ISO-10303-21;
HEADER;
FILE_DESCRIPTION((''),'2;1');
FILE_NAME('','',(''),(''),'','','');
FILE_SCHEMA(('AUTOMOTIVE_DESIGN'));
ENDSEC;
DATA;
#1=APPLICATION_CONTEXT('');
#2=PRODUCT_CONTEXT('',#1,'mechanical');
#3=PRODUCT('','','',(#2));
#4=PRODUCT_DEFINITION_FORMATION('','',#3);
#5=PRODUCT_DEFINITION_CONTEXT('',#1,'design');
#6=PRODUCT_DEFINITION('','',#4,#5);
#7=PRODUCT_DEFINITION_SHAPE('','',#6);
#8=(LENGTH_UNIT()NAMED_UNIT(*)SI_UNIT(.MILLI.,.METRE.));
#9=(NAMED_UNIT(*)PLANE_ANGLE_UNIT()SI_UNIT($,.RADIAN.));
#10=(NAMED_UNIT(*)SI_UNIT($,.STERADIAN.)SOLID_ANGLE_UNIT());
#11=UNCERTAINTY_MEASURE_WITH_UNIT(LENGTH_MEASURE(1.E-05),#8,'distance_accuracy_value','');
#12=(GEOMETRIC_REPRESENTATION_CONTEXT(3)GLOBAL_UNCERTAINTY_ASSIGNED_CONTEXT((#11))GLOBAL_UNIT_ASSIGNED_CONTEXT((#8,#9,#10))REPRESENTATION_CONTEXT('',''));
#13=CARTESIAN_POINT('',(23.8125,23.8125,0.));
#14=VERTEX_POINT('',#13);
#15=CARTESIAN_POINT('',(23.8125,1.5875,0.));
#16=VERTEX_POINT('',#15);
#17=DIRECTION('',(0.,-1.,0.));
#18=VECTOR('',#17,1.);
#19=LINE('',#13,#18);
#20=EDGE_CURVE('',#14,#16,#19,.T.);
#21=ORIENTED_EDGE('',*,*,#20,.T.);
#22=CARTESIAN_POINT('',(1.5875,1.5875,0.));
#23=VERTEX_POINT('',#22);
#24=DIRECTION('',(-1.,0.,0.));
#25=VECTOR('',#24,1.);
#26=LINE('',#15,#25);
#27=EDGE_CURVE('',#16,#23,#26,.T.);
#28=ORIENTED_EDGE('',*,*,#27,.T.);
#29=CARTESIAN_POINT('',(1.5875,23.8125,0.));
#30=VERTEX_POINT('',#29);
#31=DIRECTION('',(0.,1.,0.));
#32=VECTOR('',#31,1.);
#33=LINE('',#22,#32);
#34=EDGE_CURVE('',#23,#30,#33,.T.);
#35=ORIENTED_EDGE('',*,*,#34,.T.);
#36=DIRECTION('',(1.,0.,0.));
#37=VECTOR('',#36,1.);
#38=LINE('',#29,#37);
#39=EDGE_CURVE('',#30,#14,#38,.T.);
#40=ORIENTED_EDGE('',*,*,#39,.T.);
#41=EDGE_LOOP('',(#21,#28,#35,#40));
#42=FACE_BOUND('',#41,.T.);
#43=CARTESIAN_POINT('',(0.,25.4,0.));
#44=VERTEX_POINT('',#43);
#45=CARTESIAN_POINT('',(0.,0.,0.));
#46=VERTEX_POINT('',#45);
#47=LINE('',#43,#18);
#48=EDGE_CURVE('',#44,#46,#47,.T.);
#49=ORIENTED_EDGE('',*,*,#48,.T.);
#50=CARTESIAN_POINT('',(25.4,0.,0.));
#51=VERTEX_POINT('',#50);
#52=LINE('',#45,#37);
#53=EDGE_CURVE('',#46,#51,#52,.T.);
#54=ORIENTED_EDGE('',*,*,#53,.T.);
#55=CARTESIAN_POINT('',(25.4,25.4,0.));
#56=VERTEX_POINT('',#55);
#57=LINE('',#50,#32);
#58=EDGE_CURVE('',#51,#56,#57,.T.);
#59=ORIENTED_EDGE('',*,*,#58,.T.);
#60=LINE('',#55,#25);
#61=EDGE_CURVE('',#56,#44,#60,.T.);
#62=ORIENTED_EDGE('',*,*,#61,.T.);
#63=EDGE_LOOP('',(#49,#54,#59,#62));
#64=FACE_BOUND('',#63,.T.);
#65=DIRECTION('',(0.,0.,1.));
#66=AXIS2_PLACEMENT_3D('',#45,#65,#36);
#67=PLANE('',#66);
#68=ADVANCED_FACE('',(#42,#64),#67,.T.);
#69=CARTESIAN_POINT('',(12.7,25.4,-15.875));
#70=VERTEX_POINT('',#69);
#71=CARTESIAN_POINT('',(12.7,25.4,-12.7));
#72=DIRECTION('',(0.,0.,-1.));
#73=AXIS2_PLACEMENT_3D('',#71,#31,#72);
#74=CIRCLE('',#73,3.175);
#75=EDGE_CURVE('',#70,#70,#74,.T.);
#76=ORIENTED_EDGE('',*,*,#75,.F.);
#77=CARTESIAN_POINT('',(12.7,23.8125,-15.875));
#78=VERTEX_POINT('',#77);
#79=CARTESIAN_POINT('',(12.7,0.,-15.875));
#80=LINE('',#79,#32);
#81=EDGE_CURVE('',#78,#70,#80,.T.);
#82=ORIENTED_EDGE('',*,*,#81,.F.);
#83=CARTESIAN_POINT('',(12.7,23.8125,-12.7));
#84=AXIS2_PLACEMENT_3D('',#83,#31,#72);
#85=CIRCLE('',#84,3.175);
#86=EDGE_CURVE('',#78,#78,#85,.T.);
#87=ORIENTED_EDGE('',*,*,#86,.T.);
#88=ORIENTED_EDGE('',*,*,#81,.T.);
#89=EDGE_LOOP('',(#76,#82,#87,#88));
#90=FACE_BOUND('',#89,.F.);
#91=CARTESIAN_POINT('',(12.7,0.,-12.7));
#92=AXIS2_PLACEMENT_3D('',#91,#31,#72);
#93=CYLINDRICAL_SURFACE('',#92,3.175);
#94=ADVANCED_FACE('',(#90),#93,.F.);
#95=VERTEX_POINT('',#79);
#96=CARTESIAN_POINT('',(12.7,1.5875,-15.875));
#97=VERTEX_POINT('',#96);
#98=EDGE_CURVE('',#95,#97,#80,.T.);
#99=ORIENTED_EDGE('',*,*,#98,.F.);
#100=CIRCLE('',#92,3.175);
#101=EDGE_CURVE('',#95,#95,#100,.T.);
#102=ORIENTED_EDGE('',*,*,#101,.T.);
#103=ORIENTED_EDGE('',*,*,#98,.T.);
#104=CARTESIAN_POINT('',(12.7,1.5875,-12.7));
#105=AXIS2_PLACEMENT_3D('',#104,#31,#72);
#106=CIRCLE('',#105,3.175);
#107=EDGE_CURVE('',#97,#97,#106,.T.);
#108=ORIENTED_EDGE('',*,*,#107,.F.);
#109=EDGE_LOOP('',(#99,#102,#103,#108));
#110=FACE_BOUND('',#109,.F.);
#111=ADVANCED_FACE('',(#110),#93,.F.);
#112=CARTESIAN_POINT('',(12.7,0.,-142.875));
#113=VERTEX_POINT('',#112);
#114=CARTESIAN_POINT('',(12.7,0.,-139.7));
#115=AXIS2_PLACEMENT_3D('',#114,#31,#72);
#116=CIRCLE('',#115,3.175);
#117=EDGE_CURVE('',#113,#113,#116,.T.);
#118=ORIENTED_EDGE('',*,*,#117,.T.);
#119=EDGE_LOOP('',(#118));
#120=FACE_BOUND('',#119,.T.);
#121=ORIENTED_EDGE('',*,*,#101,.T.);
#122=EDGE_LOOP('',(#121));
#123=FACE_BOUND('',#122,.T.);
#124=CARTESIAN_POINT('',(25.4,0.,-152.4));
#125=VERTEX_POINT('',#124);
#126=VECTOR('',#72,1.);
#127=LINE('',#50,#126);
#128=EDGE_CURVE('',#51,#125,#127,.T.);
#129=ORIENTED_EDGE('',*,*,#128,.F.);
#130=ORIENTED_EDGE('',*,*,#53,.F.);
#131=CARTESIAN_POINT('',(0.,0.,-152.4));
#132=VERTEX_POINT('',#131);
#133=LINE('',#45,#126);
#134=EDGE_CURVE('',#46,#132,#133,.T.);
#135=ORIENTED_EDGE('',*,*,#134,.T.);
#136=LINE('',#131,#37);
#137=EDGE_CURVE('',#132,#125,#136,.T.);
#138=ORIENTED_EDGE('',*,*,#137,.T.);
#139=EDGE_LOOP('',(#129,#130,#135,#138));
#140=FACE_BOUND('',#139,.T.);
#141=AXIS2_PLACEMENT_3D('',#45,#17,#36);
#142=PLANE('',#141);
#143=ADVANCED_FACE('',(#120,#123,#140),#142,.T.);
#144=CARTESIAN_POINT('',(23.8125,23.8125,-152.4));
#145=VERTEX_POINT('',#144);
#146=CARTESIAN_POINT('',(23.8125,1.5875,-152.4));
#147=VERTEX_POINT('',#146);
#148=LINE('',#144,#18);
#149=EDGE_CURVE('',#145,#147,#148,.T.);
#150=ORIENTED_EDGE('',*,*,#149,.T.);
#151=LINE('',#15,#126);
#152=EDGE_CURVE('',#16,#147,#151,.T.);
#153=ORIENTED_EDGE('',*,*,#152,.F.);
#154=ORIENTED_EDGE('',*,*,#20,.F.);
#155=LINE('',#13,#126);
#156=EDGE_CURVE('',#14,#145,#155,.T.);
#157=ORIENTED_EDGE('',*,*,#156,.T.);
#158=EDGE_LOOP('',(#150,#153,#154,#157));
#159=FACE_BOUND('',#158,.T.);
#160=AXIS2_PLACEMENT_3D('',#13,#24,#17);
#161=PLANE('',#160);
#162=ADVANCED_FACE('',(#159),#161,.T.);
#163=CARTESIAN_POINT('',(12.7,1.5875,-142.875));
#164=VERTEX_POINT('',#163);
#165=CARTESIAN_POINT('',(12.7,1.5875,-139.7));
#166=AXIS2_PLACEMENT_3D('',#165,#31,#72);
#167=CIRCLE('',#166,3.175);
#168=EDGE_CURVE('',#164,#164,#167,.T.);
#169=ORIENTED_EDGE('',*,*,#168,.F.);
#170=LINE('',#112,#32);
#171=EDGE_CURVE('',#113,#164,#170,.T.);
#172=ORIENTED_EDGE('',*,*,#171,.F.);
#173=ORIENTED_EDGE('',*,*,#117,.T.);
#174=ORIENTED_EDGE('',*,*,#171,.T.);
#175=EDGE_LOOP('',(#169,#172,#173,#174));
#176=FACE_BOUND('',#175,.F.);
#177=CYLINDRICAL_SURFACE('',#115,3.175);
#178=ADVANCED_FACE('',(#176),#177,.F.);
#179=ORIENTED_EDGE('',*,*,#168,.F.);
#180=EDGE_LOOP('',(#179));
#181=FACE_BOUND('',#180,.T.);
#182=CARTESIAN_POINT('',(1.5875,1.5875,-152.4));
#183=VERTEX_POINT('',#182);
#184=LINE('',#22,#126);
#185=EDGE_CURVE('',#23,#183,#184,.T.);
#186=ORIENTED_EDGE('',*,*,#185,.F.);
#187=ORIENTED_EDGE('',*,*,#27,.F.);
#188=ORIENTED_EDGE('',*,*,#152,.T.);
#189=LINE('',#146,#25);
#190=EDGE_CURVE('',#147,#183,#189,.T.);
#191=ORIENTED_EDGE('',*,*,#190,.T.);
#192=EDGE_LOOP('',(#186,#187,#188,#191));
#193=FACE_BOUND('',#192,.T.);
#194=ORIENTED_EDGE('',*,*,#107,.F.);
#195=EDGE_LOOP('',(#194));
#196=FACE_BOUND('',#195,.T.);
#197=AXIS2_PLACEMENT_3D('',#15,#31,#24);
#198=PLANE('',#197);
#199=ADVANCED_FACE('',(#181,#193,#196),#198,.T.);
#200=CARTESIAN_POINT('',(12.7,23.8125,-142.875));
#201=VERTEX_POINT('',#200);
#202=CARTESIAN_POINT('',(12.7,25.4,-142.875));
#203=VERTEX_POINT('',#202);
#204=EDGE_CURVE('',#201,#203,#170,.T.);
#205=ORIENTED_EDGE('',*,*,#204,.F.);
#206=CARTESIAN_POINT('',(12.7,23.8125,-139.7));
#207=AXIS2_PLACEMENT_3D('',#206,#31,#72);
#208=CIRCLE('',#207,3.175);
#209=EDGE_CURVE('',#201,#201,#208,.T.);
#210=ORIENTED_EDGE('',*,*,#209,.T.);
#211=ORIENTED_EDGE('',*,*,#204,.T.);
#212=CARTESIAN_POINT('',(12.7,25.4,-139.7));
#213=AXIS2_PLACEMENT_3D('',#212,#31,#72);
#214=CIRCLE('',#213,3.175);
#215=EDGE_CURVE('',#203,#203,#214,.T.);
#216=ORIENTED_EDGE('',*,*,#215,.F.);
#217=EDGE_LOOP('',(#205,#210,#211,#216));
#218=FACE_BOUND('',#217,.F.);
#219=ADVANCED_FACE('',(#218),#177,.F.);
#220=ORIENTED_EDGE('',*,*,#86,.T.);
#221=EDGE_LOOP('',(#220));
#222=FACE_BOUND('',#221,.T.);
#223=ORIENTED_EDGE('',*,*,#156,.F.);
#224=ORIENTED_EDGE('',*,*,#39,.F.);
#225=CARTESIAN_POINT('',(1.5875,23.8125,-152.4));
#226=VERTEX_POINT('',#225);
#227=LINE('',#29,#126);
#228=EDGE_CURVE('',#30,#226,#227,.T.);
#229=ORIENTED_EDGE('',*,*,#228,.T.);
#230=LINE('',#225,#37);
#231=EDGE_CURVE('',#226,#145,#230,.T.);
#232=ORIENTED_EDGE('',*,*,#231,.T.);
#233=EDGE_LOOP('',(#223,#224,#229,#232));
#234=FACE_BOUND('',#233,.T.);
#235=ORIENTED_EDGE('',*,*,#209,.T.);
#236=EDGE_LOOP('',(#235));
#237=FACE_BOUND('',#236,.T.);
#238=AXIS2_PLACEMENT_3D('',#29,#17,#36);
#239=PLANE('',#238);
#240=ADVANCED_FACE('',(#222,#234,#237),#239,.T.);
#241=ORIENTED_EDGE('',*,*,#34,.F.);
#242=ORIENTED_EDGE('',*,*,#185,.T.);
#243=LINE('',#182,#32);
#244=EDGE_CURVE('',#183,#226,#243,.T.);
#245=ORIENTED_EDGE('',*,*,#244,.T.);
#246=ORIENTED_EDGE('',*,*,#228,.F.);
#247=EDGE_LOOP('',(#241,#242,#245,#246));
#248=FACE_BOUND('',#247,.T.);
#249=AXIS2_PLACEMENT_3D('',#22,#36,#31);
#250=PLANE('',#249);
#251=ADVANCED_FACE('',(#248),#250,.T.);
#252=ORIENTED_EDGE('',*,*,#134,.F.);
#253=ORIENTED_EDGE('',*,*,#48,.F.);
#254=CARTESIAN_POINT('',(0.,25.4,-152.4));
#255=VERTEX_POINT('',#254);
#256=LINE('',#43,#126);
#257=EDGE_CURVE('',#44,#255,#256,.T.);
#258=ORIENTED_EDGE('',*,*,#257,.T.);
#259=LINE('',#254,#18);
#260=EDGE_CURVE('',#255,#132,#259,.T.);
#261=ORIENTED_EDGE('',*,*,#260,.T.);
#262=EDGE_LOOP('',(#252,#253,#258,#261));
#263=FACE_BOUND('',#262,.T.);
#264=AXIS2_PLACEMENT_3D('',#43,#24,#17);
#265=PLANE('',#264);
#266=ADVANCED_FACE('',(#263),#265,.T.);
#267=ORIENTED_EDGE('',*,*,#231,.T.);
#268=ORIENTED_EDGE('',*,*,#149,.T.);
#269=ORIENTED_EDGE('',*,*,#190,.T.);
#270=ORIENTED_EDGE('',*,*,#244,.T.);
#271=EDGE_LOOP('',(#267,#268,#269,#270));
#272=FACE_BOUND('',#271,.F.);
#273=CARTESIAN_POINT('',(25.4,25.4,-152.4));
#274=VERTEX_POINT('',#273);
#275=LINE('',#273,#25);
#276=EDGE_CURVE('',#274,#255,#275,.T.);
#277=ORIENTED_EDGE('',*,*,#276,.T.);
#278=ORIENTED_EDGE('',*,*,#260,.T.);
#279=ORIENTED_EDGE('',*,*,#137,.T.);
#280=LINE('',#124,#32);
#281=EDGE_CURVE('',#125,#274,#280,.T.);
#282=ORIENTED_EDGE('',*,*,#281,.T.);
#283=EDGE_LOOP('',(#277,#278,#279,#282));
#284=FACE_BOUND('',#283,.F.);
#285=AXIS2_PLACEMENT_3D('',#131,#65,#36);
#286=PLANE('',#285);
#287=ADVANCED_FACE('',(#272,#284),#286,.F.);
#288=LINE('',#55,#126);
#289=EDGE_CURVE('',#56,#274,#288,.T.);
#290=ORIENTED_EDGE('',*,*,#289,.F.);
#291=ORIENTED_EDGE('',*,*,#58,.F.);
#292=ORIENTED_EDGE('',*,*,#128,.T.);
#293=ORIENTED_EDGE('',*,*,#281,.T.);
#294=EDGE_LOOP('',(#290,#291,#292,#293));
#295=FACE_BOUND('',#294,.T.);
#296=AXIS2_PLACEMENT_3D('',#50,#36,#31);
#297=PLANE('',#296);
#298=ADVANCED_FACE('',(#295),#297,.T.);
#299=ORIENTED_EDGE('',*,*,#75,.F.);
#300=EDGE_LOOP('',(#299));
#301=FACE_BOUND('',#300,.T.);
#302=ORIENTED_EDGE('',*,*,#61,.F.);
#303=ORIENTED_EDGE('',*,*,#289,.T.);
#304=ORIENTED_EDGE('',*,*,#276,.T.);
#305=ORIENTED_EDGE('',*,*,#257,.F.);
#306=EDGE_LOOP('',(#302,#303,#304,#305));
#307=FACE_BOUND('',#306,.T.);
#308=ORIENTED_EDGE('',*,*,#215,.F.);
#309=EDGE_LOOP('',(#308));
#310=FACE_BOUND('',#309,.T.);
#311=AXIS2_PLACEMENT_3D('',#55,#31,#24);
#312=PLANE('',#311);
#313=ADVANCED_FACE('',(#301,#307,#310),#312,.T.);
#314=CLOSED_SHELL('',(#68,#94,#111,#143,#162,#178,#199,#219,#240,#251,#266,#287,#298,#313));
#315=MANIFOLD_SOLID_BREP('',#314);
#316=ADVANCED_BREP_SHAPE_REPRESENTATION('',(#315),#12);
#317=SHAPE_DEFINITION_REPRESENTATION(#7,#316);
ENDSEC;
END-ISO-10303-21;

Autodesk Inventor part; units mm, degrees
ref_plane "YZ Plane" through (0, 0, 0) normal (1, 0, 0) x (0, 1, 0)
ref_plane "XZ Plane" through (0, 0, 0) normal (0, 1, 0) x (-1, 0, 0)
ref_plane "XY Plane" through (0, 0, 0) normal (0, 0, 1) x (1, 0, 0)
sketch "Sketch1" plane through (0, 0, 0) normal (0, 0, 1) x (1, 0, 0)
  line L0 (0, 0) -> (25.4, 0)
  line L1 (25.4, 0) -> (25.4, 25.4)
  line L2 (25.4, 25.4) -> (0, 25.4)
  line L3 (0, 25.4) -> (0, 0)
  line L4 (1.5875, 23.8125) -> (23.8125, 23.8125)
  line L5 (23.8125, 23.8125) -> (23.8125, 1.5875)
  line L6 (23.8125, 1.5875) -> (1.5875, 1.5875)
  line L7 (1.5875, 1.5875) -> (1.5875, 23.8125)
  dimension "d0" = 25.4
  dimension "d1" = 25.4
  dimension "d2" = 1.5875
extrude "Extrusion1" add sketch "Sketch1" against normal blind 152.4
sketch "Sketch3" plane through (0, 0, 0) normal (0, -1, 0) x (1, 0, 0)
  line L0 (0, -152.4) -> (25.4, -152.4) projected
  line L1 (0, 0) -> (25.4, 0) projected
  point P0 (12.7, -12.7)
  point P1 (12.7, -139.7)
  dimension "d7" = 12.7
  dimension "d8" = 12.7
hole "Hole2" at (12.7, 0, -12.7) at (12.7, 0, -139.7) direction (0, 1, 0) diameter 6.35 depth 25.4 tip angle 118
properties part number "tube_f_l_in_wheel"
